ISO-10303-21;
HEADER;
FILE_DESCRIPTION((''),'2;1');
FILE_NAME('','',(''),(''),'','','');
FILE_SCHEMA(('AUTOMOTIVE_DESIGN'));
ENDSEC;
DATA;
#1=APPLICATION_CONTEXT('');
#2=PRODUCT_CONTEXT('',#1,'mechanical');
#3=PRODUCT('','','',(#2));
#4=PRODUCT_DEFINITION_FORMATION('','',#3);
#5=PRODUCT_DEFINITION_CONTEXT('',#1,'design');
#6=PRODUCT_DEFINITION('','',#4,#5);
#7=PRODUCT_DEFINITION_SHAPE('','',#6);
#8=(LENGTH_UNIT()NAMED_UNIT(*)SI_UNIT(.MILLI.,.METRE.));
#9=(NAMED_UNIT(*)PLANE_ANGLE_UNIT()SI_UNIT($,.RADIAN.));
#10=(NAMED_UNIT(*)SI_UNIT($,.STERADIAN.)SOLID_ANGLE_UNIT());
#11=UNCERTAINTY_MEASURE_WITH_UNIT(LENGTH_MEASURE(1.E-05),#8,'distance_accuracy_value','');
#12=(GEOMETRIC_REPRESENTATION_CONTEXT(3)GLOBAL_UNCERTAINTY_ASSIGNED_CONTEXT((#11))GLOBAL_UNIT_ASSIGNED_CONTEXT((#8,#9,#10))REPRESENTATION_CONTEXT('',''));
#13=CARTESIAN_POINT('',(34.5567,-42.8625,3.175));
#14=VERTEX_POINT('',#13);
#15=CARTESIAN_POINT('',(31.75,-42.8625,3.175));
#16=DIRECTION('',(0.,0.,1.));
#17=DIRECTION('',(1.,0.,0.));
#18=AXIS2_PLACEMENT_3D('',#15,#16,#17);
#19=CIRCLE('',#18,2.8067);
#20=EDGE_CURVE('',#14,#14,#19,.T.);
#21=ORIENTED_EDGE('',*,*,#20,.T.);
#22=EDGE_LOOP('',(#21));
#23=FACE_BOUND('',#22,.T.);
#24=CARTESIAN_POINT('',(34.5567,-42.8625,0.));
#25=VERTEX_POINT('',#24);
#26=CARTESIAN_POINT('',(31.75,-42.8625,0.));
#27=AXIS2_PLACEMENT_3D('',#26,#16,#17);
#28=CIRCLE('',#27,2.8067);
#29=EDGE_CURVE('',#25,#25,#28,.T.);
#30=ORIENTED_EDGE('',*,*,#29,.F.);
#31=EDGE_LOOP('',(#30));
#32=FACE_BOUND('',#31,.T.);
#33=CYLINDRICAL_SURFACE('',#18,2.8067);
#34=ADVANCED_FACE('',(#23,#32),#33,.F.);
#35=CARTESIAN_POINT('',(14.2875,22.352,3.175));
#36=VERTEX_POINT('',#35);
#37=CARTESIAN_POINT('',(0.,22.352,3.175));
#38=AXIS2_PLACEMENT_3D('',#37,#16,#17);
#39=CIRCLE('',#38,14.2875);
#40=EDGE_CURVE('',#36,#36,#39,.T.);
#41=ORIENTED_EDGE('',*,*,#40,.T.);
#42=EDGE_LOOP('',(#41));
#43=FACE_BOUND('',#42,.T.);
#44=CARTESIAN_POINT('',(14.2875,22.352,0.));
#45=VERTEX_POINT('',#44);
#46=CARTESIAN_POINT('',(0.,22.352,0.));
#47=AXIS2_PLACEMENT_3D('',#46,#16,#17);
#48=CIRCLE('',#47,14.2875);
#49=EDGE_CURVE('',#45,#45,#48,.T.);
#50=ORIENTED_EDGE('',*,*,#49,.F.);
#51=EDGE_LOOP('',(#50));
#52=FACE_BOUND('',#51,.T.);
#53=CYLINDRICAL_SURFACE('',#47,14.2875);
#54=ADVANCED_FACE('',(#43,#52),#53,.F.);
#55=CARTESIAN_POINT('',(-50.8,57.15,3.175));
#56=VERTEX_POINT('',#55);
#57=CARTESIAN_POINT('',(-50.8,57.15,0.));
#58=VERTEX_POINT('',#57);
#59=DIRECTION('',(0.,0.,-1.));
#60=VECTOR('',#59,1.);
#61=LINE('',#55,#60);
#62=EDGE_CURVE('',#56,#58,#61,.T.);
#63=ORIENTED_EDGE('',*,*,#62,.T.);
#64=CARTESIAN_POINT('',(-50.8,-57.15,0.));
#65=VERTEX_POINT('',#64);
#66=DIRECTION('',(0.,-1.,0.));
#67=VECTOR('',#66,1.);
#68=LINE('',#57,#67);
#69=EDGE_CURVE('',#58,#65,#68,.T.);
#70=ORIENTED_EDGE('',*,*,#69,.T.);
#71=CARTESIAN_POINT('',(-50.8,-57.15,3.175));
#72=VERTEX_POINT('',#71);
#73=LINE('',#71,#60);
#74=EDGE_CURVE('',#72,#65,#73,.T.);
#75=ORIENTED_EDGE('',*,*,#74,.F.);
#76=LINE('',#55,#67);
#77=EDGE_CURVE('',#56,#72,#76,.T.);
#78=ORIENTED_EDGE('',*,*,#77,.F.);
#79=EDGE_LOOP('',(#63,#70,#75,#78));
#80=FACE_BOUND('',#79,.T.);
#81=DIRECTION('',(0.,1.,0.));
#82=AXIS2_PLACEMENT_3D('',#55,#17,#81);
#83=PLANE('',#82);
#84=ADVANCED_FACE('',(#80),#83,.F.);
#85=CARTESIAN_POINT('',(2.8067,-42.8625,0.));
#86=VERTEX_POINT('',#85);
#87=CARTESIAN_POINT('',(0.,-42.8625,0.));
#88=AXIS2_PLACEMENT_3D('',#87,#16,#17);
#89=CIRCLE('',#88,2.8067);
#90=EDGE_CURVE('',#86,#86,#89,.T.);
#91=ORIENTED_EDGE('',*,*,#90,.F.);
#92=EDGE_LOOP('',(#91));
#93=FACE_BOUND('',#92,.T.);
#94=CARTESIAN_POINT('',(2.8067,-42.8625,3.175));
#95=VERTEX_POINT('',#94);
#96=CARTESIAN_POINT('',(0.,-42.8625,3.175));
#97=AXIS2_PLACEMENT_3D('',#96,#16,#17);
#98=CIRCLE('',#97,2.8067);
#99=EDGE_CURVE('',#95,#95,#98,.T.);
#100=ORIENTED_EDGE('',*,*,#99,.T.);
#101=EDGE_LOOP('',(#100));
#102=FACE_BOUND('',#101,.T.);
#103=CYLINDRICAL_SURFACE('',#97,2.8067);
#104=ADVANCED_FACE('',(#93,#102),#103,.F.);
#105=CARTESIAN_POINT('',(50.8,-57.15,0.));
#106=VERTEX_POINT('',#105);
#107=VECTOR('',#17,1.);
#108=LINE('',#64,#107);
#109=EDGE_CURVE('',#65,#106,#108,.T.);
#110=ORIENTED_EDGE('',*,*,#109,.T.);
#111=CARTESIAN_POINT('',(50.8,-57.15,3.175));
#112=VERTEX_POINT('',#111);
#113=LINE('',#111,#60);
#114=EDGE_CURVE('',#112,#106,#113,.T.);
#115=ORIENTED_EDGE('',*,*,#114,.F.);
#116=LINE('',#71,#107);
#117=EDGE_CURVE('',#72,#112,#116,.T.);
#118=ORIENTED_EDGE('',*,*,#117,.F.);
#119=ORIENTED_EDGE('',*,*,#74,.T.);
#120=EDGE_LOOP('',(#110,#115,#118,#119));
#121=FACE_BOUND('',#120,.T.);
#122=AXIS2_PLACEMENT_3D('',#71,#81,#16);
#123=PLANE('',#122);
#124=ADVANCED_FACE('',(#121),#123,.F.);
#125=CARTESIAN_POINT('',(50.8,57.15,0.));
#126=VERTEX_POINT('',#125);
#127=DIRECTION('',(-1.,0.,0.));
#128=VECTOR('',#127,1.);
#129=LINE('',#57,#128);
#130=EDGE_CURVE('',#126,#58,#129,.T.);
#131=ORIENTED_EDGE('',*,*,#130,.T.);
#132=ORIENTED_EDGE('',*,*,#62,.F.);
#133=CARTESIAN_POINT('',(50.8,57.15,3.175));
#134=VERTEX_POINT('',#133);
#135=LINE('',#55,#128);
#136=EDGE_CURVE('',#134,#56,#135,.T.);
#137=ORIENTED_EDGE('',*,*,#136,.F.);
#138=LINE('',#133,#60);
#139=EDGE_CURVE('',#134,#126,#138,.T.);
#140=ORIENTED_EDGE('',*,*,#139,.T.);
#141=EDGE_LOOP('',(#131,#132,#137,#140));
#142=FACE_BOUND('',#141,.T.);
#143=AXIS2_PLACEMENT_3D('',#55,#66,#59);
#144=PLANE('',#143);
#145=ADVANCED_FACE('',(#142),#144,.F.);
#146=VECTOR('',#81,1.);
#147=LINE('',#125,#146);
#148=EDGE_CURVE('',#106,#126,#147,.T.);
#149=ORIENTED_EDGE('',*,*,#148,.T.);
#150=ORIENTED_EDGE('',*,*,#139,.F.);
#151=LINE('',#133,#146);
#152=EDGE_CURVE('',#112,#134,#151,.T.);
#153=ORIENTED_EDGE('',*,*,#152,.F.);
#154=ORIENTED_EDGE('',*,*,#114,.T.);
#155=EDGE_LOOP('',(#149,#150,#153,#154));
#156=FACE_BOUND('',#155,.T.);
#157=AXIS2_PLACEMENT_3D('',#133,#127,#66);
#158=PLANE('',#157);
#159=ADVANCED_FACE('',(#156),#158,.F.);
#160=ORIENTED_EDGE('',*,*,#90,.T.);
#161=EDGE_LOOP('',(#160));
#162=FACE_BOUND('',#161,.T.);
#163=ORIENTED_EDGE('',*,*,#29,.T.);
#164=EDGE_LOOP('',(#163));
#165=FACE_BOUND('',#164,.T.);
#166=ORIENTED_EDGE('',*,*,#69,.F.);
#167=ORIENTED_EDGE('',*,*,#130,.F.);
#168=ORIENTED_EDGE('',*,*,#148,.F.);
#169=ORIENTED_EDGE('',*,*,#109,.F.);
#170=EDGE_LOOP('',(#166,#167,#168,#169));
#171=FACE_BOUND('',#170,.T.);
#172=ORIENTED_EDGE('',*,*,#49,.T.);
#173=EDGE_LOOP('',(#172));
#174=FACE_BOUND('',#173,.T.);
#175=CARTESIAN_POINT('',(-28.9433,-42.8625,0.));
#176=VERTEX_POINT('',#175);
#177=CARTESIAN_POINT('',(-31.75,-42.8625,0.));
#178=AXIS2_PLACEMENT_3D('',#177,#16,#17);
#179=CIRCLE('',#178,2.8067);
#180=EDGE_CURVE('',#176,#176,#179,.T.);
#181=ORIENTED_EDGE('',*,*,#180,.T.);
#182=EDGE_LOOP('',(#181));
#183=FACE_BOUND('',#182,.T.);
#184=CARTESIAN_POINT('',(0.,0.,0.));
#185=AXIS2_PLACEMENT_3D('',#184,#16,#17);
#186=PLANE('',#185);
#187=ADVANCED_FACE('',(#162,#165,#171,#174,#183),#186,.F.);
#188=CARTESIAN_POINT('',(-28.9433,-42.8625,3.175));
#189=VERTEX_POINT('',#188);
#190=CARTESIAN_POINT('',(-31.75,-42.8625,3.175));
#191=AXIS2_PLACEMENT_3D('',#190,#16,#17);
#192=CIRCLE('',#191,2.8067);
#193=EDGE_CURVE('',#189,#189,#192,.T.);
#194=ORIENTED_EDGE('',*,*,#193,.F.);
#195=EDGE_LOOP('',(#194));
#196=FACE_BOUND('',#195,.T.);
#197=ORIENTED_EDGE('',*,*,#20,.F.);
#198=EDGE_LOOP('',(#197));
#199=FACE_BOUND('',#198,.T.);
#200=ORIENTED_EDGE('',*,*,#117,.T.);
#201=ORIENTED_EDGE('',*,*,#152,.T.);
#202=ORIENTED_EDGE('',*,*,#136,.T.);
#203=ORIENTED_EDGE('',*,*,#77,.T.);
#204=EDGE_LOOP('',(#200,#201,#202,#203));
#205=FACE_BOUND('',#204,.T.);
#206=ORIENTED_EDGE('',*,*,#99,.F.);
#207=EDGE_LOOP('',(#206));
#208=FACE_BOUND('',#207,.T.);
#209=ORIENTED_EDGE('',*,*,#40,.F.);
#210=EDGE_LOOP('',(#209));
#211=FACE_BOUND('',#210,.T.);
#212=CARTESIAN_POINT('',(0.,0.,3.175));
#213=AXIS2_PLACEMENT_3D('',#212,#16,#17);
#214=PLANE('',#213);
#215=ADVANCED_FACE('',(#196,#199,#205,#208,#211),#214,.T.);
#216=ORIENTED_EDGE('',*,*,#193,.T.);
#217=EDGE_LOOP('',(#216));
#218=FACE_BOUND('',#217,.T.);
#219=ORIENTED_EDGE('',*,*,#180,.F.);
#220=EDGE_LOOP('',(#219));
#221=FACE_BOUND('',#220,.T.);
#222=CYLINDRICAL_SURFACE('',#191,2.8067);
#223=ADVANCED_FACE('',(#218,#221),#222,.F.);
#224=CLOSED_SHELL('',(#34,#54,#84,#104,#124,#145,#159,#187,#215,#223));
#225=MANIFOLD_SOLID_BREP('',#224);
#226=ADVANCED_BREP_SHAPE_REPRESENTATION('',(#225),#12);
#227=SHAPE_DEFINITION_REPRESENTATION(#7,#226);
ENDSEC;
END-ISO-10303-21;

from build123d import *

# Parameters (mm, degrees)
SKETCH1_W              = 101.6
SKETCH1_H              = 114.3
BOSS_EXTRUDE1_DEPTH    = 3.175
SKETCH2_R              = 14.2875
CUT_EXTRUDE1_DEPTH     = 3.175
F_10_CLEARANCE_HOLE1_D = 5.6134


with BuildPart() as part:
    # Sketch1 → Boss-Extrude1 (new body)
    with BuildSketch(Plane.XY):
        Rectangle(SKETCH1_W, SKETCH1_H)
    extrude(amount=BOSS_EXTRUDE1_DEPTH)

    # Sketch2 → Cut-Extrude1 (cut)
    with BuildSketch(Plane.XY.offset(3.175)):
        with Locations((0, 22.352)):
            Circle(SKETCH2_R)
    extrude(amount=-CUT_EXTRUDE1_DEPTH, mode=Mode.SUBTRACT)

    # #10 Clearance Hole1 (through all)
    with Locations(Plane.XY.offset(3.175)):
        with Locations((-31.75, -42.8625), (0, -42.8625), (31.75, -42.8625)):
            Hole(F_10_CLEARANCE_HOLE1_D / 2)


solid = part.part
